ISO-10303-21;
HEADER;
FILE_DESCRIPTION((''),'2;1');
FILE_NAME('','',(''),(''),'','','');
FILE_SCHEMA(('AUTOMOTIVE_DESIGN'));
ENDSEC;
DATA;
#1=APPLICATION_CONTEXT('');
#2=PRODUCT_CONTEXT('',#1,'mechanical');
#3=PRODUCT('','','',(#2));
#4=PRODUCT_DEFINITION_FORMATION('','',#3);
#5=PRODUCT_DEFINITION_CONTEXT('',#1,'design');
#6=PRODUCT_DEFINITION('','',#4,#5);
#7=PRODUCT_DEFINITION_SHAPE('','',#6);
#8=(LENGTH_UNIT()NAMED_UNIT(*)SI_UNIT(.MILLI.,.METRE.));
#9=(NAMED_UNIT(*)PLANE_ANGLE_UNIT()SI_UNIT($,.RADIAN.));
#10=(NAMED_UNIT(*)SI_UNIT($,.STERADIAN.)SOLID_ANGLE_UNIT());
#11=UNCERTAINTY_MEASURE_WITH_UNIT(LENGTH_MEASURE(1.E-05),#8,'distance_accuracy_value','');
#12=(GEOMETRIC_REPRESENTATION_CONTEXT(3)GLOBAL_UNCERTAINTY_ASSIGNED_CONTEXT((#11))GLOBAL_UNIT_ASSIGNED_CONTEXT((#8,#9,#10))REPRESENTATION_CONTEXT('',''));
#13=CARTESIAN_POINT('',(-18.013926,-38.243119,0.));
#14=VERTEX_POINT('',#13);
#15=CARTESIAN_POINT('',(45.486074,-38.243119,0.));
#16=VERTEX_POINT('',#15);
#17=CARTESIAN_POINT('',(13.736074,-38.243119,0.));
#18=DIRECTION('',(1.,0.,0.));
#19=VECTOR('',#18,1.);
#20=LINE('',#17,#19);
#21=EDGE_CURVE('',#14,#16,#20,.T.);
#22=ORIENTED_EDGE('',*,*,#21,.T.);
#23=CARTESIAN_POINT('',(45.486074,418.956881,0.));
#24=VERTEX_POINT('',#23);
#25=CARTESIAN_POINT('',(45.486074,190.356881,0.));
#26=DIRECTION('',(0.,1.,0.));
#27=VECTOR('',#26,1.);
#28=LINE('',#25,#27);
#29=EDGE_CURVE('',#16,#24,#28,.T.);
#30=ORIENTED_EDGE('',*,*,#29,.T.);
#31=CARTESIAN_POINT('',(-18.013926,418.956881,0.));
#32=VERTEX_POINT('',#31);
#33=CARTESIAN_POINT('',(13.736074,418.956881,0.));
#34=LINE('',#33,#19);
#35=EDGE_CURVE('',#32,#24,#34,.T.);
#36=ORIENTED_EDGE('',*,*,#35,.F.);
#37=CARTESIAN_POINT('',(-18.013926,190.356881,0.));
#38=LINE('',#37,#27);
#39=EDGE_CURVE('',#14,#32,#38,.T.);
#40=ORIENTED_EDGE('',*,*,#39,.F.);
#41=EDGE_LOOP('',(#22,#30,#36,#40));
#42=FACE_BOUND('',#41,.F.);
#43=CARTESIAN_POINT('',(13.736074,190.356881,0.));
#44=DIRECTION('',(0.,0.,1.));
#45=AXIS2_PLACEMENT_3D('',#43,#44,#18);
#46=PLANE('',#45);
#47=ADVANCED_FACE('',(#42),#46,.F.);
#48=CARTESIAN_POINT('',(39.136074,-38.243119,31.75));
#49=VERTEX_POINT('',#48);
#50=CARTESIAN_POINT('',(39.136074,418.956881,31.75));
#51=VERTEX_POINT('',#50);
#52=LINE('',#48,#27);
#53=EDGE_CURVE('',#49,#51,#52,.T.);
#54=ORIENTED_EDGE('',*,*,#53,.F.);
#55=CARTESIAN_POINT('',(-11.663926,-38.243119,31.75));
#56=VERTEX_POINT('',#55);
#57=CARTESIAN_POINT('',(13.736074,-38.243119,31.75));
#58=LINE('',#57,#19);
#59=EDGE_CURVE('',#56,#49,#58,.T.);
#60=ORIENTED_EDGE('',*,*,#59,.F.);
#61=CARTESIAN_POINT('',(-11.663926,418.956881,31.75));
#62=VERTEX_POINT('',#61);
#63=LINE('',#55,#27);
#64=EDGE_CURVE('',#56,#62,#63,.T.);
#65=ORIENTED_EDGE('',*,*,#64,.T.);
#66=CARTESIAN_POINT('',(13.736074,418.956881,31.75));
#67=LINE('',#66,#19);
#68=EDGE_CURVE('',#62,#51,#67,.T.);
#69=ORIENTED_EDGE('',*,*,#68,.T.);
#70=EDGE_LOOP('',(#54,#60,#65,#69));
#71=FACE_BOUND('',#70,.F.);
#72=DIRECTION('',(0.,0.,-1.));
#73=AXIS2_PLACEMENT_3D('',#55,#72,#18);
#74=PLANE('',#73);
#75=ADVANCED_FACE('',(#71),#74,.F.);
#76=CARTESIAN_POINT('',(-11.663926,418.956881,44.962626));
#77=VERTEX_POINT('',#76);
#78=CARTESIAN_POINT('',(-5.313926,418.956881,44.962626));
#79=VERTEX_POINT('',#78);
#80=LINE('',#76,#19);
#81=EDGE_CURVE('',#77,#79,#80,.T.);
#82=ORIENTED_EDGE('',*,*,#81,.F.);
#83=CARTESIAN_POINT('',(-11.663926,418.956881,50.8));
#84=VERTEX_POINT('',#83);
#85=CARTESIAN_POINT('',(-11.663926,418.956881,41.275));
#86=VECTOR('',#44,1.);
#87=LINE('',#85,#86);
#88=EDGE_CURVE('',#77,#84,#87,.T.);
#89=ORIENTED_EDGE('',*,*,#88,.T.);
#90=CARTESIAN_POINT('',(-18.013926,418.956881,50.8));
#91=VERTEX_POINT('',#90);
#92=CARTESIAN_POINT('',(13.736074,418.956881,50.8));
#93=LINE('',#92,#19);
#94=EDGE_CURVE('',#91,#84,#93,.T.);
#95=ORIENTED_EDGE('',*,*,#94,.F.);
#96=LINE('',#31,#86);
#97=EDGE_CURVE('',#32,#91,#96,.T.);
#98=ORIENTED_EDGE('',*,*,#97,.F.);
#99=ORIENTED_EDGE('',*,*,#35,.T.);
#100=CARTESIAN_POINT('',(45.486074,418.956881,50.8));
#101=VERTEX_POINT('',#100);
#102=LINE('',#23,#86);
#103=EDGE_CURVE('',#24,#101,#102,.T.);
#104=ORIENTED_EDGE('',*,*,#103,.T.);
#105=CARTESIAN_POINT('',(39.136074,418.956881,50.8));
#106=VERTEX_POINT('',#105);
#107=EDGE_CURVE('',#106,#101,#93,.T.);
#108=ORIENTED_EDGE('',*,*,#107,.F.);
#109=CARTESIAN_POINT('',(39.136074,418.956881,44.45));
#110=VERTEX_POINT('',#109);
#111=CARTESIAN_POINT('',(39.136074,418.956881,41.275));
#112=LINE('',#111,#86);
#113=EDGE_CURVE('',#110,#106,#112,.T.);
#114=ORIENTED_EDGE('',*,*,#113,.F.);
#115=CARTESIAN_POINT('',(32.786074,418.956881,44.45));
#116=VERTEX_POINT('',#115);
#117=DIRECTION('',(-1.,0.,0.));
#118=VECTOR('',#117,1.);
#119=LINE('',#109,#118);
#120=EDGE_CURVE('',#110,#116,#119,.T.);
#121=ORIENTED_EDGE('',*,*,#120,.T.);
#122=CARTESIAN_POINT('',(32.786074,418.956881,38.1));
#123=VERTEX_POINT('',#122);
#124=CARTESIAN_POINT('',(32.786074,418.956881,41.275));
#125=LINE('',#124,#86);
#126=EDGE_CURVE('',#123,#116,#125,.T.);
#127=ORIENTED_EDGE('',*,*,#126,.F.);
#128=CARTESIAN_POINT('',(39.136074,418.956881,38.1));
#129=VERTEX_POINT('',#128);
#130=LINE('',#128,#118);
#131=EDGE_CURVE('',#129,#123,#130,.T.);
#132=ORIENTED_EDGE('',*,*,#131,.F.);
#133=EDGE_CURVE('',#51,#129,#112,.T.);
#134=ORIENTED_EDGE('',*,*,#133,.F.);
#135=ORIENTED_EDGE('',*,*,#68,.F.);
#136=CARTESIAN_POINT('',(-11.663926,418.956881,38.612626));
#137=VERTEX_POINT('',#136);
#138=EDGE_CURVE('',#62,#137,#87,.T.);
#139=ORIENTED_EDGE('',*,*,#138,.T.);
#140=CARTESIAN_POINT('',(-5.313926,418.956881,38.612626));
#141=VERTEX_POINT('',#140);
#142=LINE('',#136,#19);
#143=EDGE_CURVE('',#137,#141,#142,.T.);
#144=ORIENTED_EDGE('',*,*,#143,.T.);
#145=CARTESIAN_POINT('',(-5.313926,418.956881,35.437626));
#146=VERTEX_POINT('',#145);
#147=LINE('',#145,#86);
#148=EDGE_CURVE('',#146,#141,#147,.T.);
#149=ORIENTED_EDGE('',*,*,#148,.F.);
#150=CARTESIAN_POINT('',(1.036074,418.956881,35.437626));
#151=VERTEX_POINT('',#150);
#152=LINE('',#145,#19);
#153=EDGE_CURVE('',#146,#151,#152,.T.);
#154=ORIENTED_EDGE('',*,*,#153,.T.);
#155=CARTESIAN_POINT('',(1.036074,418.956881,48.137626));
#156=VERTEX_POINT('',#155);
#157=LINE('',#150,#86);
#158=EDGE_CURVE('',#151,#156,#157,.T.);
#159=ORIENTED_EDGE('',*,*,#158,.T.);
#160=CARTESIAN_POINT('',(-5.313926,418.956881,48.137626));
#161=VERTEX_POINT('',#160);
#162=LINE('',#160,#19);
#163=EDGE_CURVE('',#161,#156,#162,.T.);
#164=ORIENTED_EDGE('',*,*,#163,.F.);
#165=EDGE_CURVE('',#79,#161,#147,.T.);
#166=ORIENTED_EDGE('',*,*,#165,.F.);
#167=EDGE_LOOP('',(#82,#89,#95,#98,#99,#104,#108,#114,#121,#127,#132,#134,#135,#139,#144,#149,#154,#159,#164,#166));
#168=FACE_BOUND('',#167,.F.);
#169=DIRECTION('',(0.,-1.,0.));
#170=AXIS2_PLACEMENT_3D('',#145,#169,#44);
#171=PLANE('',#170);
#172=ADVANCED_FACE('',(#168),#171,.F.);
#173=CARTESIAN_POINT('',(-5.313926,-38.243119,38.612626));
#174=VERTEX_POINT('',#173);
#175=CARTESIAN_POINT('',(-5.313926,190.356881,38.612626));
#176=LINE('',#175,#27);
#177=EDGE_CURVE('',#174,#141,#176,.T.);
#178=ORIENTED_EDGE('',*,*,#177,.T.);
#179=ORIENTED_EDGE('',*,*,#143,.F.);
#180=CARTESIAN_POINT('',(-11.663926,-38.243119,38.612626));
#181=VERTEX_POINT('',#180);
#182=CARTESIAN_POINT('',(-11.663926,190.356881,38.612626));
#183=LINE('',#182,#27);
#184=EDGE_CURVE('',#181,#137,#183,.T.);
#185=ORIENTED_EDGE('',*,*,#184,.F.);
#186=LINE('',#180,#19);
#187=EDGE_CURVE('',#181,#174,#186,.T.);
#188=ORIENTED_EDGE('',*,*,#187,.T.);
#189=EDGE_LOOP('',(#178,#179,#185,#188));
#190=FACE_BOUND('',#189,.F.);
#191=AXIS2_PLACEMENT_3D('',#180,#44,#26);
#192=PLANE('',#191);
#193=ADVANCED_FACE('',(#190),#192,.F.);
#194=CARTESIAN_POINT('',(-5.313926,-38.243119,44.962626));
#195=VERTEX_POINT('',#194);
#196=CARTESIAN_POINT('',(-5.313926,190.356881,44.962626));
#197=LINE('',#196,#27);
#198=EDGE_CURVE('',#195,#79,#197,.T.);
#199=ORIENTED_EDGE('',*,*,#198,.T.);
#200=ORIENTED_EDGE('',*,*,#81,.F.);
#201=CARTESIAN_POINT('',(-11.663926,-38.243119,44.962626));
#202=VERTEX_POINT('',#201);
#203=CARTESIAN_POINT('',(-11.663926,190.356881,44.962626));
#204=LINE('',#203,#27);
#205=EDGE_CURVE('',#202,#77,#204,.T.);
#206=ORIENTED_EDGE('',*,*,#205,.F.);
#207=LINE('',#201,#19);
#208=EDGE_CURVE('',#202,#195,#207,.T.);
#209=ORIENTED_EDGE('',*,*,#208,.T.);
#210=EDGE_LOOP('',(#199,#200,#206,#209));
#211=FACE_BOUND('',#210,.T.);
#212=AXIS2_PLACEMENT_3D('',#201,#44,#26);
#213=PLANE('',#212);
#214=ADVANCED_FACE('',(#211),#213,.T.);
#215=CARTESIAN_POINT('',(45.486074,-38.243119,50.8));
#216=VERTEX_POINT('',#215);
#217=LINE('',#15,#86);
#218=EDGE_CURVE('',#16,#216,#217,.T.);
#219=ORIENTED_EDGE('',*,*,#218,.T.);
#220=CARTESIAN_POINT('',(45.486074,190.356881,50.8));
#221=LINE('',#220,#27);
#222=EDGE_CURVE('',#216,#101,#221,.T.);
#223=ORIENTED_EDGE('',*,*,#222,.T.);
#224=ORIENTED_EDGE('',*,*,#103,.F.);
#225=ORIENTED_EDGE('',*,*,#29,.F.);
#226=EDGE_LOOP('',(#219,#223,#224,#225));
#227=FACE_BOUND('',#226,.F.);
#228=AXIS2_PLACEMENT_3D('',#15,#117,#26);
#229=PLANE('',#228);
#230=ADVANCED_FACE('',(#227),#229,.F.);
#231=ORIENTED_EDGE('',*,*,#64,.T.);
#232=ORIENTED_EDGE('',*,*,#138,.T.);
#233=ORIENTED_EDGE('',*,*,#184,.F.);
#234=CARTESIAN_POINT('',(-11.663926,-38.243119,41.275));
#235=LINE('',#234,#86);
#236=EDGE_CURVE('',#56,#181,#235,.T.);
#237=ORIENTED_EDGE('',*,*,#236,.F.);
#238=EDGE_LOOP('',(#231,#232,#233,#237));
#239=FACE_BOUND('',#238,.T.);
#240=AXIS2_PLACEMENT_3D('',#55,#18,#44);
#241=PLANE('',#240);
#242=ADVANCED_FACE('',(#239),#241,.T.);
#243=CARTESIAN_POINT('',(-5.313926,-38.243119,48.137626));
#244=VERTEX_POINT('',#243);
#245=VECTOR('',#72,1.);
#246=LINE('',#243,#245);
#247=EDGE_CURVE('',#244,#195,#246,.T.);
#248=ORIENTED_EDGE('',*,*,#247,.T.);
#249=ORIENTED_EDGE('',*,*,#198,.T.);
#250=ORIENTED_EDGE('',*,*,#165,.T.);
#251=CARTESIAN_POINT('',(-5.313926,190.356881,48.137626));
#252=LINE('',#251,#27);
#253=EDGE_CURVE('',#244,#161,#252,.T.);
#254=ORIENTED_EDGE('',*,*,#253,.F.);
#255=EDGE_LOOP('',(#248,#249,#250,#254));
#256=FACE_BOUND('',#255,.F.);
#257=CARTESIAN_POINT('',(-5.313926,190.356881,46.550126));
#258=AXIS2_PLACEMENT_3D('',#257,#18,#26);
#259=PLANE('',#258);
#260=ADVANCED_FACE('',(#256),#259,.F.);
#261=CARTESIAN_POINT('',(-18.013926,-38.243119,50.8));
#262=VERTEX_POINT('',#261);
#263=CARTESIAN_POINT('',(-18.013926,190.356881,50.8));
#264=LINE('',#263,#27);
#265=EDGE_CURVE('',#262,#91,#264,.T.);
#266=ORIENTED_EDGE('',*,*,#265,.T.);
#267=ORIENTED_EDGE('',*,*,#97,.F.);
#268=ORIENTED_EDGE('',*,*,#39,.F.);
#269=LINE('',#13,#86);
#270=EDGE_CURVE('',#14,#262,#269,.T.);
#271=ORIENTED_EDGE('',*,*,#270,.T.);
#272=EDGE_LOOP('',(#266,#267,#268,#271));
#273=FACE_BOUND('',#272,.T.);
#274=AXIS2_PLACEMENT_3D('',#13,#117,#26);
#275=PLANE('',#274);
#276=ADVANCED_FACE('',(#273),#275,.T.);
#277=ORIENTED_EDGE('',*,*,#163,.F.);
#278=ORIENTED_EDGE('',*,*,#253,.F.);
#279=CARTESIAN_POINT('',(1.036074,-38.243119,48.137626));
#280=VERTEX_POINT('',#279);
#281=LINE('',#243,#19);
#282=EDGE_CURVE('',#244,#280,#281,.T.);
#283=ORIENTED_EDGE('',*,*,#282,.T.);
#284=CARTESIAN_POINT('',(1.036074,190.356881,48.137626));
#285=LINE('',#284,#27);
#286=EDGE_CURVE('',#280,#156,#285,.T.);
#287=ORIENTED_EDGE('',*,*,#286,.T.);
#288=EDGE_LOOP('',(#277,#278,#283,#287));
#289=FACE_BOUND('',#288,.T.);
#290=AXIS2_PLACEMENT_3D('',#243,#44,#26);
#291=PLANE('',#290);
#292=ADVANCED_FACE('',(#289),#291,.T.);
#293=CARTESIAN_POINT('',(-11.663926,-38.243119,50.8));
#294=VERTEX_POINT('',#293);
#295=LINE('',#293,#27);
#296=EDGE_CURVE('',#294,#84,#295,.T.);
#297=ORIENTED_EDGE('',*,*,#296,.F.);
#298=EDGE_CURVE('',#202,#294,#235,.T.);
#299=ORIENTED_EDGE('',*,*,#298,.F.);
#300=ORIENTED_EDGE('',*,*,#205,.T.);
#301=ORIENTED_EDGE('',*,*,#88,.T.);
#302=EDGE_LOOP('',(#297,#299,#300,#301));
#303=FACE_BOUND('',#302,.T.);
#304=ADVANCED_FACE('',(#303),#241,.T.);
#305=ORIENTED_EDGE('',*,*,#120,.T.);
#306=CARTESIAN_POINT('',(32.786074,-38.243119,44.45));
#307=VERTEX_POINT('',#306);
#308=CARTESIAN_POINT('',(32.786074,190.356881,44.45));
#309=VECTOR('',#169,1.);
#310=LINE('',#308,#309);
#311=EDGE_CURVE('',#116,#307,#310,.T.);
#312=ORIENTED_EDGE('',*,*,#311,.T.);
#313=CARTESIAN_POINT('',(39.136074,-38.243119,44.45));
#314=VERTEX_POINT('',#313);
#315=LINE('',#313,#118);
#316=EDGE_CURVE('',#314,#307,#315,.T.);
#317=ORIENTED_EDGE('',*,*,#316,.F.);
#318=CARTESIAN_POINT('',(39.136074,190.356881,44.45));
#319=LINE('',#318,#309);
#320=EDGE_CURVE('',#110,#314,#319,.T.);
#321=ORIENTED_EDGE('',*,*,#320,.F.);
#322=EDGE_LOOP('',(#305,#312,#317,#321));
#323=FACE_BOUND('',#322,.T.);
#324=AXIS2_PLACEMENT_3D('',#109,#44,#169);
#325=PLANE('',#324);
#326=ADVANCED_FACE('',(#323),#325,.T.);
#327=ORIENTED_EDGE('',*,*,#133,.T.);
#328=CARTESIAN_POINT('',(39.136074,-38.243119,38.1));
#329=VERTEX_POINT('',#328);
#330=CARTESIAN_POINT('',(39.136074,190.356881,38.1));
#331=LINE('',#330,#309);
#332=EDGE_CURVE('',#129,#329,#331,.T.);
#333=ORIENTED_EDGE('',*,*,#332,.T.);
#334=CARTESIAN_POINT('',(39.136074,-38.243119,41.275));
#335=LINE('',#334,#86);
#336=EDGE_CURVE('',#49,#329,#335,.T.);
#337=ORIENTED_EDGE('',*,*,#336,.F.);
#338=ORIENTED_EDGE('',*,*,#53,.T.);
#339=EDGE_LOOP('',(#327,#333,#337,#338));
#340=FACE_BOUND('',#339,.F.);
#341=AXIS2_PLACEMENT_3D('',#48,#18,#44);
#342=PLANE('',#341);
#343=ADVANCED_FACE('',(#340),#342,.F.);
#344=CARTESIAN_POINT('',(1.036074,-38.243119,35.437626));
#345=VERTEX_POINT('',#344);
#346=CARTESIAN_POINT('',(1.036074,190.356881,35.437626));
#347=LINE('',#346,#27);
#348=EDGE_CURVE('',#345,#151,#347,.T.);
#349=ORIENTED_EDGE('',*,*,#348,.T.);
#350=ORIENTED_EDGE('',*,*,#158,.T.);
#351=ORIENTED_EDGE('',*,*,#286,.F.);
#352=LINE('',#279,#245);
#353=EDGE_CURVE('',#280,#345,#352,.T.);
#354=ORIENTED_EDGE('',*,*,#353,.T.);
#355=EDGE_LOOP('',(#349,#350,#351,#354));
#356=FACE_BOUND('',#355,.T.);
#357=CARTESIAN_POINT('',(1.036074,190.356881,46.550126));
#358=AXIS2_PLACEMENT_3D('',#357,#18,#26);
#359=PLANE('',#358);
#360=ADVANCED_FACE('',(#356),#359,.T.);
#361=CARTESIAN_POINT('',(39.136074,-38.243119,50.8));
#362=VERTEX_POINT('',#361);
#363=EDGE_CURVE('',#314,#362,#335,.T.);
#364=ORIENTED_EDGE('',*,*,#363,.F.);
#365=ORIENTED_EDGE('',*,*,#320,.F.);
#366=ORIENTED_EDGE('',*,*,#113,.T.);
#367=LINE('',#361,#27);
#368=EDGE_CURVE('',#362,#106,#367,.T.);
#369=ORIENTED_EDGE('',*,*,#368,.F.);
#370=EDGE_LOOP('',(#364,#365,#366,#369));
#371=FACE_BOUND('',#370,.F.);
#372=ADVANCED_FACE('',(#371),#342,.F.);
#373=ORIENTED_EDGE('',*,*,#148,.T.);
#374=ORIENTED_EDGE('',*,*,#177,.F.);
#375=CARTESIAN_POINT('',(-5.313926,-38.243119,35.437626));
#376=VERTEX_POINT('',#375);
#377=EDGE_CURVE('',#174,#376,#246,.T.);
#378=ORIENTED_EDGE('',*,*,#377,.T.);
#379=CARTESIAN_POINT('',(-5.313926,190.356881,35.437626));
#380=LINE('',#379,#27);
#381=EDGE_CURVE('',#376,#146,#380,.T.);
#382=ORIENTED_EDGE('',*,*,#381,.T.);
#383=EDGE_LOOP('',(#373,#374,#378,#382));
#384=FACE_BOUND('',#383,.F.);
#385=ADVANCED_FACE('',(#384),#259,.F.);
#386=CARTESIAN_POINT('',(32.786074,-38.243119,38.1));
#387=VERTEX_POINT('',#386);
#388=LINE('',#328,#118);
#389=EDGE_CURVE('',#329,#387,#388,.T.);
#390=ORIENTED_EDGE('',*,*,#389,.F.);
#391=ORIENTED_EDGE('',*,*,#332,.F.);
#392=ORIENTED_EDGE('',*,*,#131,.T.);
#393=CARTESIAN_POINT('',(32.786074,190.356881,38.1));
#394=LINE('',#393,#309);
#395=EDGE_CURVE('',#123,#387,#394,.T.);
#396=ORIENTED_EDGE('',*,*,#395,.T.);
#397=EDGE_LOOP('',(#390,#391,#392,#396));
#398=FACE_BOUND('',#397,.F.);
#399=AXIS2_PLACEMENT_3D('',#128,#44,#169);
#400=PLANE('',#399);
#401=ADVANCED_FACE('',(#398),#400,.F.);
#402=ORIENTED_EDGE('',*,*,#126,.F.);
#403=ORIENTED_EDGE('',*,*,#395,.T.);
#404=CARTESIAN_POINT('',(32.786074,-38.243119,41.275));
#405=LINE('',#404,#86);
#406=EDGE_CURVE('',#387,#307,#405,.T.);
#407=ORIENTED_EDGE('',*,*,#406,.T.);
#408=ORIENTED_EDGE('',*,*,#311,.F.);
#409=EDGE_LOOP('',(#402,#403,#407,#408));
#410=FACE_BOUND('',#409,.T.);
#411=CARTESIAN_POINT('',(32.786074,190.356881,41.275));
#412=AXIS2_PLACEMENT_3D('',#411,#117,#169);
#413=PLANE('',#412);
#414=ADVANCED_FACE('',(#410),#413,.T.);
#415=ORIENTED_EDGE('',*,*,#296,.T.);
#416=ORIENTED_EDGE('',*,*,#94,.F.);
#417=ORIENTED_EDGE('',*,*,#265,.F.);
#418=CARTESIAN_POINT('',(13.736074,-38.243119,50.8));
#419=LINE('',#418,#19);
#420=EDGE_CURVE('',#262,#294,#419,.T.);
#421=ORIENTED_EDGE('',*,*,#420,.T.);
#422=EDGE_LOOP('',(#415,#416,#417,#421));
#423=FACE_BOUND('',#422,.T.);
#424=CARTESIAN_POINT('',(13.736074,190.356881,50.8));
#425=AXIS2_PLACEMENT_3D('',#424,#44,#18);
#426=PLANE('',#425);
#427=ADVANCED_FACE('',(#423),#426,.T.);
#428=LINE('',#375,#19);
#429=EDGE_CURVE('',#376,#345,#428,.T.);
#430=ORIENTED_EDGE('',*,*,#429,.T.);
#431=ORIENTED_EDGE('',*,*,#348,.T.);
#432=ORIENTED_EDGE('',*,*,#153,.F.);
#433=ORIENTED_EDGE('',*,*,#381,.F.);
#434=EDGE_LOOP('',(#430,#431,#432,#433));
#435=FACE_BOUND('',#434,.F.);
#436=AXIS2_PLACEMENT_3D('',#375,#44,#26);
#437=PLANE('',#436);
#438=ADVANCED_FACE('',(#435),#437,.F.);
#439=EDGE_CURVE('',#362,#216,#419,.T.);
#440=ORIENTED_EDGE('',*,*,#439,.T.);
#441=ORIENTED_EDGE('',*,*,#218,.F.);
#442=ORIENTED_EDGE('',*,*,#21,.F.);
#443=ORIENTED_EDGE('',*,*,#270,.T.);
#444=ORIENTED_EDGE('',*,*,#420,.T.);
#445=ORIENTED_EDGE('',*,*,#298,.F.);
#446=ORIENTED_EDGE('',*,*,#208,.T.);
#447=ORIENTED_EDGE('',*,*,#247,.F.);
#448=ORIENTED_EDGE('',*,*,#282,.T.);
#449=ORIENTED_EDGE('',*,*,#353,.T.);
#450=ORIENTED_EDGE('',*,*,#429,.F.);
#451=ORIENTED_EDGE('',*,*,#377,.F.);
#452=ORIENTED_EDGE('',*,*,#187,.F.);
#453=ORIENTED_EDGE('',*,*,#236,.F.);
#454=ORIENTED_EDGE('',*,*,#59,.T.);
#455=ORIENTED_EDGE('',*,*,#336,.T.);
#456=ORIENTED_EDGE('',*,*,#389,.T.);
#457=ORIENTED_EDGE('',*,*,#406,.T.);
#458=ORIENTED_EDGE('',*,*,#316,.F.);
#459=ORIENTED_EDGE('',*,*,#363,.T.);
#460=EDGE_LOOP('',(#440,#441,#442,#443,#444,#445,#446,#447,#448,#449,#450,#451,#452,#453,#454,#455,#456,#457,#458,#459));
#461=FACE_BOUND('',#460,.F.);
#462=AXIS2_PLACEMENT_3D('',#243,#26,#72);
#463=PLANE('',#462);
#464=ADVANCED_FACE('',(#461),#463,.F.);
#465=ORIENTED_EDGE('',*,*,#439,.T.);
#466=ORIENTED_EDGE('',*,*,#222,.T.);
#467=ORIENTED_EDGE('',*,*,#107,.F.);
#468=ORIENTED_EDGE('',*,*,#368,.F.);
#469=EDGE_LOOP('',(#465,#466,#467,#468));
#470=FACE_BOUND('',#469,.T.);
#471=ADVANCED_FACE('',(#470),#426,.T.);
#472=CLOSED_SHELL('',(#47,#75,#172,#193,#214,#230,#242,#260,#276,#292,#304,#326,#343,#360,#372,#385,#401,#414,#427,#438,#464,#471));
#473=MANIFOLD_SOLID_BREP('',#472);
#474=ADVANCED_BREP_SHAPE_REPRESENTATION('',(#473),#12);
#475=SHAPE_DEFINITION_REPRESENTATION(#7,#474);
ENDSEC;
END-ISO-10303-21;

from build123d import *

# Parameters (mm, degrees)
F0_W     = 63.5
F0_H     = 457.2
F1_DEPTH = 50.8
F2_W     = 50.8
F2_H     = 19.05
F3_DEPTH = 457.2
F4_W     = 457.2
F4_H     = 6.35
F5_DEPTH = 6.35
F6_W     = 457.2
F6_H     = 3.175
F6_H_2   = 6.35
F7_DEPTH = 6.35
F8_W     = 457.2
F8_H     = 6.35
F9_DEPTH = 6.35


with BuildPart() as f1:
    # F0 (on Top) → F1 (new body)
    with BuildSketch(Plane.XY):
        with Locations((13.7360737771, 190.3568813264)):
            Rectangle(F0_W, F0_H)
    extrude(amount=F1_DEPTH)

    # F2 (on face) → F3 (cut)
    with BuildSketch(Plane.XZ.offset(38.2431186736)):
        with Locations((13.7360737771, 41.275)):
            Rectangle(F2_W, F2_H)
    extrude(amount=-F3_DEPTH, mode=Mode.SUBTRACT)

    # F4 (on face) → F5 (join)
    with BuildSketch(Plane.YZ.offset(-11.6639262229)):
        with Locations((190.3568813264, 41.787626493)):
            Rectangle(F4_W, F4_H)
    extrude(amount=F5_DEPTH)

    # F6 (on face) → F7 (join)
    with BuildSketch(Plane.YZ.offset(-5.3139262229)):
        with Locations((190.3568813264, 46.550126493)):
            Rectangle(F6_W, F6_H)
        with Locations((190.3568813264, 41.787626493)):
            Rectangle(F6_W, F6_H_2)
        with Locations((190.3568813264, 37.025126493)):
            Rectangle(F6_W, F6_H)
    extrude(amount=F7_DEPTH)

    # F8 (on face) → F9 (join)
    with BuildSketch(Plane(origin=(39.1360737771, 0, 0), x_dir=(0, -1, 0), z_dir=(-1, 0, 0))):
        with Locations((-190.3568813264, 41.275)):
            Rectangle(F8_W, F8_H)
    extrude(amount=F9_DEPTH)


solid = f1.part
